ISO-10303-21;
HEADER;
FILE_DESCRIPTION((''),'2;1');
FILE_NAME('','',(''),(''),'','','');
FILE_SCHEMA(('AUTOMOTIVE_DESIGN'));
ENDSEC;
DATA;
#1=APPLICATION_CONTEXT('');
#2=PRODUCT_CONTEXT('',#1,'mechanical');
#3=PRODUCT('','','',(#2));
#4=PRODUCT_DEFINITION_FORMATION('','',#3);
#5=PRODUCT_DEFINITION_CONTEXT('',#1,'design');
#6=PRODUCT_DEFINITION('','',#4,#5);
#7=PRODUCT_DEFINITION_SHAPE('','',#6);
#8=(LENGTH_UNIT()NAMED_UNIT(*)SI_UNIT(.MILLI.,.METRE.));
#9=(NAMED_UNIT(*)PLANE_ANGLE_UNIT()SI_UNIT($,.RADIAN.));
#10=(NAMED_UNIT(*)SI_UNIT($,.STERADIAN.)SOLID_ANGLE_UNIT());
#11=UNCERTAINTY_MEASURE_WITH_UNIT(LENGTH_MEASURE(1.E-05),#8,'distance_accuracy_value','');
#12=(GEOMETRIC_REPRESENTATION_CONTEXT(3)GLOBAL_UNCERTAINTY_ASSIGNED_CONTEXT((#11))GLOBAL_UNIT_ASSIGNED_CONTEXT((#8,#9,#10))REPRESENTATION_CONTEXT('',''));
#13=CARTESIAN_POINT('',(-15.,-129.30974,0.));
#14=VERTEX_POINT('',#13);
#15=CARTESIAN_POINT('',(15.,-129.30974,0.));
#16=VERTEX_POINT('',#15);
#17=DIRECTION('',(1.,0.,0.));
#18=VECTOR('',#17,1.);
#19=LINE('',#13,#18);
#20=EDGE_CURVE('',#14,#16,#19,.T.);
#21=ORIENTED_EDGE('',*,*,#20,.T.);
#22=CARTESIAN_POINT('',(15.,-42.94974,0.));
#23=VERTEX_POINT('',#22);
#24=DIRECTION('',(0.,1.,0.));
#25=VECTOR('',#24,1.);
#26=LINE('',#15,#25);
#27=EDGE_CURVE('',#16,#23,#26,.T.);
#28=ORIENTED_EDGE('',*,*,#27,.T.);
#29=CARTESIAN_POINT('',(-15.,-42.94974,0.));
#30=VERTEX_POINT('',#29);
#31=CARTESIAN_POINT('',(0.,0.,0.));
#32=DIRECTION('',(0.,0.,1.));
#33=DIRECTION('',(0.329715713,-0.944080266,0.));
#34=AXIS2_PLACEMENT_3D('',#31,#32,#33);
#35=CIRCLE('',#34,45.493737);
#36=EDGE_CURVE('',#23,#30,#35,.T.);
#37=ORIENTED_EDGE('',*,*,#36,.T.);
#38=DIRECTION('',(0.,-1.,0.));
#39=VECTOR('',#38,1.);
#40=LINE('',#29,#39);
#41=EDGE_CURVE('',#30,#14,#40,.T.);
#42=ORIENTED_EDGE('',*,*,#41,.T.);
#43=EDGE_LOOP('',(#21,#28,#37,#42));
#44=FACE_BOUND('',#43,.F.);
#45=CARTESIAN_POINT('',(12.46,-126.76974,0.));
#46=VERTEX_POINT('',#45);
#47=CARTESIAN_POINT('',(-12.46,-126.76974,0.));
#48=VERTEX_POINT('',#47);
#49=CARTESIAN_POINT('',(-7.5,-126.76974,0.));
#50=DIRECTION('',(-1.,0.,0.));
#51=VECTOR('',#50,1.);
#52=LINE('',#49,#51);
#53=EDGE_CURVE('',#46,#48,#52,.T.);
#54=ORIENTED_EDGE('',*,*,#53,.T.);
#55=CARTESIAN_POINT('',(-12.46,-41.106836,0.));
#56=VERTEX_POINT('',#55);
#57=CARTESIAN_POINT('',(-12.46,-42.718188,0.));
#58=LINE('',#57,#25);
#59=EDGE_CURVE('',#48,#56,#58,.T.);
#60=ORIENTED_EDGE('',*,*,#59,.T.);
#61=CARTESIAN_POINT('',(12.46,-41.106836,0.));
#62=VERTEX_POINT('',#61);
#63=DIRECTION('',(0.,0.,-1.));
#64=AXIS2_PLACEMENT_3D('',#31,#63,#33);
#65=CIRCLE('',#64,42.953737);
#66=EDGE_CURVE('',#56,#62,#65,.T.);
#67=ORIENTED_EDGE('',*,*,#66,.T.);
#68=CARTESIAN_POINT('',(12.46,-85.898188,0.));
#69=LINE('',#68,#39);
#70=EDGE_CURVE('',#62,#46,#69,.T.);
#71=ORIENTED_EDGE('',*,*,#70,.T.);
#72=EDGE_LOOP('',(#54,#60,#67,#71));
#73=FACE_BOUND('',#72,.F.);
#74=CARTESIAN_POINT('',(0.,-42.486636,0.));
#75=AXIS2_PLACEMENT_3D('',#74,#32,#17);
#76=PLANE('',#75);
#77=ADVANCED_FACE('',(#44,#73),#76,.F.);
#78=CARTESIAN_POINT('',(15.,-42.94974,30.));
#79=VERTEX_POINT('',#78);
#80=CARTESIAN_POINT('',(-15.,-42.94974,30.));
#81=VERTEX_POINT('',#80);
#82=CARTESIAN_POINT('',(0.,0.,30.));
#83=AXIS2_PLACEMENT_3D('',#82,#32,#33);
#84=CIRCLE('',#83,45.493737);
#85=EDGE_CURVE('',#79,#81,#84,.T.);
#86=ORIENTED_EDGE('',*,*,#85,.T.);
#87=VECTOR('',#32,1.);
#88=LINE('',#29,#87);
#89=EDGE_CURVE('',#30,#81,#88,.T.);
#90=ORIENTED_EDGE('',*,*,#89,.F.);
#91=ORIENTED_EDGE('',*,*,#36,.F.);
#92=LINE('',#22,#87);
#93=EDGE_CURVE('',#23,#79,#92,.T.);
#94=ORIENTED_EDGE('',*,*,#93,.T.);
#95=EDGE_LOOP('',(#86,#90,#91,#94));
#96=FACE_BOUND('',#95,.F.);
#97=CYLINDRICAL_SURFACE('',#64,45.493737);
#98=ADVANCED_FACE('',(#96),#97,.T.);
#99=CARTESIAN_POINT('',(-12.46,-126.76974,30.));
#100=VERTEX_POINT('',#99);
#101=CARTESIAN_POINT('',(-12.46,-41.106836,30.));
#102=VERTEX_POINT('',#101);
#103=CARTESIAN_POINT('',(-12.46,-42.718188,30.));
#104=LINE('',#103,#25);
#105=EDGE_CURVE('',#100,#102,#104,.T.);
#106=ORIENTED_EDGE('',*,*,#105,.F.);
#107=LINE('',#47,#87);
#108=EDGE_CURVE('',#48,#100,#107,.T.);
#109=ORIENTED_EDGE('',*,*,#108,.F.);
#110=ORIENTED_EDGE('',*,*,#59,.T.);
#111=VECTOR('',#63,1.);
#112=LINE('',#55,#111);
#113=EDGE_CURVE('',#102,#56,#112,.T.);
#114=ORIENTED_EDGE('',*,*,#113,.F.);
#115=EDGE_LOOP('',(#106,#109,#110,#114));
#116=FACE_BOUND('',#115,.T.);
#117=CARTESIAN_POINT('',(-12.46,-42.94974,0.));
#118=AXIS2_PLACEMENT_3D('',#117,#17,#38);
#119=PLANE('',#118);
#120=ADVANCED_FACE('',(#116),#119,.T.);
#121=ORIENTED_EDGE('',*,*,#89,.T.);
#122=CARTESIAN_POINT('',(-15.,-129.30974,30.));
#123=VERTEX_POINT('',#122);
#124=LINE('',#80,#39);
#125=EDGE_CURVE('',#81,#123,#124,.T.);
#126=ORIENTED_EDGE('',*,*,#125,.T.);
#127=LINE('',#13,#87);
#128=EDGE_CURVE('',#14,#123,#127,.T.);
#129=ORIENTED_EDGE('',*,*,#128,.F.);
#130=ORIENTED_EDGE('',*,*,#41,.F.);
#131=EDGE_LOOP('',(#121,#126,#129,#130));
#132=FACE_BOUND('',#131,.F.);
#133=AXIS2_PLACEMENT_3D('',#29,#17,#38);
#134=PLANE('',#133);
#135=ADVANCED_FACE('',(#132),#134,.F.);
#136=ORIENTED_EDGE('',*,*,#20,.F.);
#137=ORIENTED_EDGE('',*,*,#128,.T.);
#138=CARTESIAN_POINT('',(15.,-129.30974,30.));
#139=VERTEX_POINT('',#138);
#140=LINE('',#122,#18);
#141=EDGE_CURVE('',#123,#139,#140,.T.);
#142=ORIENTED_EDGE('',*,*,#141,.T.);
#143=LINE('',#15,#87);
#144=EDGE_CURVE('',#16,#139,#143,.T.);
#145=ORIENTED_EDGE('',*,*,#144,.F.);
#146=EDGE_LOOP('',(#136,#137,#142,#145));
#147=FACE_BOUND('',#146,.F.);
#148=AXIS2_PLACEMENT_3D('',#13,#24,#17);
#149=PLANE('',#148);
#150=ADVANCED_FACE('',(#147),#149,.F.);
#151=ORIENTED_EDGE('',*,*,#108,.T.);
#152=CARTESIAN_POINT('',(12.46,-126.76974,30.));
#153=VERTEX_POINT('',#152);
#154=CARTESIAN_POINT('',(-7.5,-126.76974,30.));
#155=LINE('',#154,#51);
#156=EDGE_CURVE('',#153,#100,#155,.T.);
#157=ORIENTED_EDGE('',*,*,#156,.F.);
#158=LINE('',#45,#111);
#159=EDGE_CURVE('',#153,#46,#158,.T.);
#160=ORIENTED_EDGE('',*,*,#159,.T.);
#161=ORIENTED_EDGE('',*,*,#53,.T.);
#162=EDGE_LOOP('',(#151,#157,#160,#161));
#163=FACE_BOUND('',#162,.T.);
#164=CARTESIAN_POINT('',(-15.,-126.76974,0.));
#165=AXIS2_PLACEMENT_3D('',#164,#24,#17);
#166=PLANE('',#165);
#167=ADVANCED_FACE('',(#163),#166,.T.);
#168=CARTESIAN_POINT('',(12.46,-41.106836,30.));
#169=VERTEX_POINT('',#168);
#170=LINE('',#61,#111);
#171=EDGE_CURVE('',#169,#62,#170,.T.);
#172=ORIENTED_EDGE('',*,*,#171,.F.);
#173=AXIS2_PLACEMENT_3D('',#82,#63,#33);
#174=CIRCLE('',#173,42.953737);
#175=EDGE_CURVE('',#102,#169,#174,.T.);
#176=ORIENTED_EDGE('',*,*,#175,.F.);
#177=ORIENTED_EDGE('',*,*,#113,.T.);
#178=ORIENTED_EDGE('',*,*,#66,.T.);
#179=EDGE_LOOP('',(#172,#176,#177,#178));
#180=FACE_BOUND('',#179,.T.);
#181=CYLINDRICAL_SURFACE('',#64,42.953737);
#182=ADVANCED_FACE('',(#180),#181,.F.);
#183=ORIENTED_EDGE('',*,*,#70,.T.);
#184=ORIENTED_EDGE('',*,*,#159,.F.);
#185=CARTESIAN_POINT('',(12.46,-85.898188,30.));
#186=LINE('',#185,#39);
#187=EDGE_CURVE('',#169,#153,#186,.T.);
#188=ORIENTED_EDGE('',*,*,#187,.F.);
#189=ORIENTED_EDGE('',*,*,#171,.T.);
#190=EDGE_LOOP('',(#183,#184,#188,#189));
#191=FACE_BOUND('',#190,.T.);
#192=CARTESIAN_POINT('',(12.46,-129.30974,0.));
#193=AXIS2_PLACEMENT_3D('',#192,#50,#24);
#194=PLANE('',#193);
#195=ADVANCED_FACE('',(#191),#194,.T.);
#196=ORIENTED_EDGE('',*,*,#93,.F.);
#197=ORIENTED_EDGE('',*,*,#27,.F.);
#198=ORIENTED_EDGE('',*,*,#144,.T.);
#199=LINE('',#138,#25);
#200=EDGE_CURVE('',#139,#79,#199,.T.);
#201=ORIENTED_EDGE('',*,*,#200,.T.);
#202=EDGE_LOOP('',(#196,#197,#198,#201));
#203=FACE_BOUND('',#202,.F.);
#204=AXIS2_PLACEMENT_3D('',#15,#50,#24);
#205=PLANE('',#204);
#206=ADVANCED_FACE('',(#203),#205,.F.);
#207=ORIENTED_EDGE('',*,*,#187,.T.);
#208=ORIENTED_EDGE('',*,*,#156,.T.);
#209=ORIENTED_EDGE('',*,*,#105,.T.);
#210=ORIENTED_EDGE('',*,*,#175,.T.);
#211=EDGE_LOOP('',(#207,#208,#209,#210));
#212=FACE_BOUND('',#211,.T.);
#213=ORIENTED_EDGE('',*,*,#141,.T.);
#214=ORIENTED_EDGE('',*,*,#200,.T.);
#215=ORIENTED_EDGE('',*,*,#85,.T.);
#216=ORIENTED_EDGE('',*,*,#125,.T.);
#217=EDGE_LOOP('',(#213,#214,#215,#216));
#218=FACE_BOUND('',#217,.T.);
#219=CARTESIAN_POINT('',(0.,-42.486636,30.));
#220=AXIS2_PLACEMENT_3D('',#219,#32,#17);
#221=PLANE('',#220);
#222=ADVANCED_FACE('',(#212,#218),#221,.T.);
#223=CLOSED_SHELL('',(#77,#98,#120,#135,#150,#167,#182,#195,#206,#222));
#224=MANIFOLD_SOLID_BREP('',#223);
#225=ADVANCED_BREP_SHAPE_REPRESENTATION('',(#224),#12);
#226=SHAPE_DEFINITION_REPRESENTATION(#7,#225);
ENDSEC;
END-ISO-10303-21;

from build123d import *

# Parameters (mm, degrees)
F1_DEPTH = 30
F2_T     = -2.54


with BuildPart() as f1:
    # F0 (on Top) → F1 (new body)
    with BuildSketch(Plane.XY):
        with BuildLine():
            Line((15, -129.3097395662), (15, -42.9497395662))
            ThreePointArc((15, -42.9497395662), (0, 45.4937372481), (-15, -42.9497395662))
            Line((-15, -42.9497395662), (-15, -129.3097395662))
            Line((-15, -129.3097395662), (15, -129.3097395662))
        make_face()
    extrude(amount=F1_DEPTH)

    # F2
    f2_openings = [f1.faces().sort_by_distance(p)[0] for p in [
        (0, -24.43063, 30),
        (0, -24.43063, 0),
    ]]
    offset(amount=F2_T, openings=f2_openings, kind=Kind.INTERSECTION)


solid = f1.part
